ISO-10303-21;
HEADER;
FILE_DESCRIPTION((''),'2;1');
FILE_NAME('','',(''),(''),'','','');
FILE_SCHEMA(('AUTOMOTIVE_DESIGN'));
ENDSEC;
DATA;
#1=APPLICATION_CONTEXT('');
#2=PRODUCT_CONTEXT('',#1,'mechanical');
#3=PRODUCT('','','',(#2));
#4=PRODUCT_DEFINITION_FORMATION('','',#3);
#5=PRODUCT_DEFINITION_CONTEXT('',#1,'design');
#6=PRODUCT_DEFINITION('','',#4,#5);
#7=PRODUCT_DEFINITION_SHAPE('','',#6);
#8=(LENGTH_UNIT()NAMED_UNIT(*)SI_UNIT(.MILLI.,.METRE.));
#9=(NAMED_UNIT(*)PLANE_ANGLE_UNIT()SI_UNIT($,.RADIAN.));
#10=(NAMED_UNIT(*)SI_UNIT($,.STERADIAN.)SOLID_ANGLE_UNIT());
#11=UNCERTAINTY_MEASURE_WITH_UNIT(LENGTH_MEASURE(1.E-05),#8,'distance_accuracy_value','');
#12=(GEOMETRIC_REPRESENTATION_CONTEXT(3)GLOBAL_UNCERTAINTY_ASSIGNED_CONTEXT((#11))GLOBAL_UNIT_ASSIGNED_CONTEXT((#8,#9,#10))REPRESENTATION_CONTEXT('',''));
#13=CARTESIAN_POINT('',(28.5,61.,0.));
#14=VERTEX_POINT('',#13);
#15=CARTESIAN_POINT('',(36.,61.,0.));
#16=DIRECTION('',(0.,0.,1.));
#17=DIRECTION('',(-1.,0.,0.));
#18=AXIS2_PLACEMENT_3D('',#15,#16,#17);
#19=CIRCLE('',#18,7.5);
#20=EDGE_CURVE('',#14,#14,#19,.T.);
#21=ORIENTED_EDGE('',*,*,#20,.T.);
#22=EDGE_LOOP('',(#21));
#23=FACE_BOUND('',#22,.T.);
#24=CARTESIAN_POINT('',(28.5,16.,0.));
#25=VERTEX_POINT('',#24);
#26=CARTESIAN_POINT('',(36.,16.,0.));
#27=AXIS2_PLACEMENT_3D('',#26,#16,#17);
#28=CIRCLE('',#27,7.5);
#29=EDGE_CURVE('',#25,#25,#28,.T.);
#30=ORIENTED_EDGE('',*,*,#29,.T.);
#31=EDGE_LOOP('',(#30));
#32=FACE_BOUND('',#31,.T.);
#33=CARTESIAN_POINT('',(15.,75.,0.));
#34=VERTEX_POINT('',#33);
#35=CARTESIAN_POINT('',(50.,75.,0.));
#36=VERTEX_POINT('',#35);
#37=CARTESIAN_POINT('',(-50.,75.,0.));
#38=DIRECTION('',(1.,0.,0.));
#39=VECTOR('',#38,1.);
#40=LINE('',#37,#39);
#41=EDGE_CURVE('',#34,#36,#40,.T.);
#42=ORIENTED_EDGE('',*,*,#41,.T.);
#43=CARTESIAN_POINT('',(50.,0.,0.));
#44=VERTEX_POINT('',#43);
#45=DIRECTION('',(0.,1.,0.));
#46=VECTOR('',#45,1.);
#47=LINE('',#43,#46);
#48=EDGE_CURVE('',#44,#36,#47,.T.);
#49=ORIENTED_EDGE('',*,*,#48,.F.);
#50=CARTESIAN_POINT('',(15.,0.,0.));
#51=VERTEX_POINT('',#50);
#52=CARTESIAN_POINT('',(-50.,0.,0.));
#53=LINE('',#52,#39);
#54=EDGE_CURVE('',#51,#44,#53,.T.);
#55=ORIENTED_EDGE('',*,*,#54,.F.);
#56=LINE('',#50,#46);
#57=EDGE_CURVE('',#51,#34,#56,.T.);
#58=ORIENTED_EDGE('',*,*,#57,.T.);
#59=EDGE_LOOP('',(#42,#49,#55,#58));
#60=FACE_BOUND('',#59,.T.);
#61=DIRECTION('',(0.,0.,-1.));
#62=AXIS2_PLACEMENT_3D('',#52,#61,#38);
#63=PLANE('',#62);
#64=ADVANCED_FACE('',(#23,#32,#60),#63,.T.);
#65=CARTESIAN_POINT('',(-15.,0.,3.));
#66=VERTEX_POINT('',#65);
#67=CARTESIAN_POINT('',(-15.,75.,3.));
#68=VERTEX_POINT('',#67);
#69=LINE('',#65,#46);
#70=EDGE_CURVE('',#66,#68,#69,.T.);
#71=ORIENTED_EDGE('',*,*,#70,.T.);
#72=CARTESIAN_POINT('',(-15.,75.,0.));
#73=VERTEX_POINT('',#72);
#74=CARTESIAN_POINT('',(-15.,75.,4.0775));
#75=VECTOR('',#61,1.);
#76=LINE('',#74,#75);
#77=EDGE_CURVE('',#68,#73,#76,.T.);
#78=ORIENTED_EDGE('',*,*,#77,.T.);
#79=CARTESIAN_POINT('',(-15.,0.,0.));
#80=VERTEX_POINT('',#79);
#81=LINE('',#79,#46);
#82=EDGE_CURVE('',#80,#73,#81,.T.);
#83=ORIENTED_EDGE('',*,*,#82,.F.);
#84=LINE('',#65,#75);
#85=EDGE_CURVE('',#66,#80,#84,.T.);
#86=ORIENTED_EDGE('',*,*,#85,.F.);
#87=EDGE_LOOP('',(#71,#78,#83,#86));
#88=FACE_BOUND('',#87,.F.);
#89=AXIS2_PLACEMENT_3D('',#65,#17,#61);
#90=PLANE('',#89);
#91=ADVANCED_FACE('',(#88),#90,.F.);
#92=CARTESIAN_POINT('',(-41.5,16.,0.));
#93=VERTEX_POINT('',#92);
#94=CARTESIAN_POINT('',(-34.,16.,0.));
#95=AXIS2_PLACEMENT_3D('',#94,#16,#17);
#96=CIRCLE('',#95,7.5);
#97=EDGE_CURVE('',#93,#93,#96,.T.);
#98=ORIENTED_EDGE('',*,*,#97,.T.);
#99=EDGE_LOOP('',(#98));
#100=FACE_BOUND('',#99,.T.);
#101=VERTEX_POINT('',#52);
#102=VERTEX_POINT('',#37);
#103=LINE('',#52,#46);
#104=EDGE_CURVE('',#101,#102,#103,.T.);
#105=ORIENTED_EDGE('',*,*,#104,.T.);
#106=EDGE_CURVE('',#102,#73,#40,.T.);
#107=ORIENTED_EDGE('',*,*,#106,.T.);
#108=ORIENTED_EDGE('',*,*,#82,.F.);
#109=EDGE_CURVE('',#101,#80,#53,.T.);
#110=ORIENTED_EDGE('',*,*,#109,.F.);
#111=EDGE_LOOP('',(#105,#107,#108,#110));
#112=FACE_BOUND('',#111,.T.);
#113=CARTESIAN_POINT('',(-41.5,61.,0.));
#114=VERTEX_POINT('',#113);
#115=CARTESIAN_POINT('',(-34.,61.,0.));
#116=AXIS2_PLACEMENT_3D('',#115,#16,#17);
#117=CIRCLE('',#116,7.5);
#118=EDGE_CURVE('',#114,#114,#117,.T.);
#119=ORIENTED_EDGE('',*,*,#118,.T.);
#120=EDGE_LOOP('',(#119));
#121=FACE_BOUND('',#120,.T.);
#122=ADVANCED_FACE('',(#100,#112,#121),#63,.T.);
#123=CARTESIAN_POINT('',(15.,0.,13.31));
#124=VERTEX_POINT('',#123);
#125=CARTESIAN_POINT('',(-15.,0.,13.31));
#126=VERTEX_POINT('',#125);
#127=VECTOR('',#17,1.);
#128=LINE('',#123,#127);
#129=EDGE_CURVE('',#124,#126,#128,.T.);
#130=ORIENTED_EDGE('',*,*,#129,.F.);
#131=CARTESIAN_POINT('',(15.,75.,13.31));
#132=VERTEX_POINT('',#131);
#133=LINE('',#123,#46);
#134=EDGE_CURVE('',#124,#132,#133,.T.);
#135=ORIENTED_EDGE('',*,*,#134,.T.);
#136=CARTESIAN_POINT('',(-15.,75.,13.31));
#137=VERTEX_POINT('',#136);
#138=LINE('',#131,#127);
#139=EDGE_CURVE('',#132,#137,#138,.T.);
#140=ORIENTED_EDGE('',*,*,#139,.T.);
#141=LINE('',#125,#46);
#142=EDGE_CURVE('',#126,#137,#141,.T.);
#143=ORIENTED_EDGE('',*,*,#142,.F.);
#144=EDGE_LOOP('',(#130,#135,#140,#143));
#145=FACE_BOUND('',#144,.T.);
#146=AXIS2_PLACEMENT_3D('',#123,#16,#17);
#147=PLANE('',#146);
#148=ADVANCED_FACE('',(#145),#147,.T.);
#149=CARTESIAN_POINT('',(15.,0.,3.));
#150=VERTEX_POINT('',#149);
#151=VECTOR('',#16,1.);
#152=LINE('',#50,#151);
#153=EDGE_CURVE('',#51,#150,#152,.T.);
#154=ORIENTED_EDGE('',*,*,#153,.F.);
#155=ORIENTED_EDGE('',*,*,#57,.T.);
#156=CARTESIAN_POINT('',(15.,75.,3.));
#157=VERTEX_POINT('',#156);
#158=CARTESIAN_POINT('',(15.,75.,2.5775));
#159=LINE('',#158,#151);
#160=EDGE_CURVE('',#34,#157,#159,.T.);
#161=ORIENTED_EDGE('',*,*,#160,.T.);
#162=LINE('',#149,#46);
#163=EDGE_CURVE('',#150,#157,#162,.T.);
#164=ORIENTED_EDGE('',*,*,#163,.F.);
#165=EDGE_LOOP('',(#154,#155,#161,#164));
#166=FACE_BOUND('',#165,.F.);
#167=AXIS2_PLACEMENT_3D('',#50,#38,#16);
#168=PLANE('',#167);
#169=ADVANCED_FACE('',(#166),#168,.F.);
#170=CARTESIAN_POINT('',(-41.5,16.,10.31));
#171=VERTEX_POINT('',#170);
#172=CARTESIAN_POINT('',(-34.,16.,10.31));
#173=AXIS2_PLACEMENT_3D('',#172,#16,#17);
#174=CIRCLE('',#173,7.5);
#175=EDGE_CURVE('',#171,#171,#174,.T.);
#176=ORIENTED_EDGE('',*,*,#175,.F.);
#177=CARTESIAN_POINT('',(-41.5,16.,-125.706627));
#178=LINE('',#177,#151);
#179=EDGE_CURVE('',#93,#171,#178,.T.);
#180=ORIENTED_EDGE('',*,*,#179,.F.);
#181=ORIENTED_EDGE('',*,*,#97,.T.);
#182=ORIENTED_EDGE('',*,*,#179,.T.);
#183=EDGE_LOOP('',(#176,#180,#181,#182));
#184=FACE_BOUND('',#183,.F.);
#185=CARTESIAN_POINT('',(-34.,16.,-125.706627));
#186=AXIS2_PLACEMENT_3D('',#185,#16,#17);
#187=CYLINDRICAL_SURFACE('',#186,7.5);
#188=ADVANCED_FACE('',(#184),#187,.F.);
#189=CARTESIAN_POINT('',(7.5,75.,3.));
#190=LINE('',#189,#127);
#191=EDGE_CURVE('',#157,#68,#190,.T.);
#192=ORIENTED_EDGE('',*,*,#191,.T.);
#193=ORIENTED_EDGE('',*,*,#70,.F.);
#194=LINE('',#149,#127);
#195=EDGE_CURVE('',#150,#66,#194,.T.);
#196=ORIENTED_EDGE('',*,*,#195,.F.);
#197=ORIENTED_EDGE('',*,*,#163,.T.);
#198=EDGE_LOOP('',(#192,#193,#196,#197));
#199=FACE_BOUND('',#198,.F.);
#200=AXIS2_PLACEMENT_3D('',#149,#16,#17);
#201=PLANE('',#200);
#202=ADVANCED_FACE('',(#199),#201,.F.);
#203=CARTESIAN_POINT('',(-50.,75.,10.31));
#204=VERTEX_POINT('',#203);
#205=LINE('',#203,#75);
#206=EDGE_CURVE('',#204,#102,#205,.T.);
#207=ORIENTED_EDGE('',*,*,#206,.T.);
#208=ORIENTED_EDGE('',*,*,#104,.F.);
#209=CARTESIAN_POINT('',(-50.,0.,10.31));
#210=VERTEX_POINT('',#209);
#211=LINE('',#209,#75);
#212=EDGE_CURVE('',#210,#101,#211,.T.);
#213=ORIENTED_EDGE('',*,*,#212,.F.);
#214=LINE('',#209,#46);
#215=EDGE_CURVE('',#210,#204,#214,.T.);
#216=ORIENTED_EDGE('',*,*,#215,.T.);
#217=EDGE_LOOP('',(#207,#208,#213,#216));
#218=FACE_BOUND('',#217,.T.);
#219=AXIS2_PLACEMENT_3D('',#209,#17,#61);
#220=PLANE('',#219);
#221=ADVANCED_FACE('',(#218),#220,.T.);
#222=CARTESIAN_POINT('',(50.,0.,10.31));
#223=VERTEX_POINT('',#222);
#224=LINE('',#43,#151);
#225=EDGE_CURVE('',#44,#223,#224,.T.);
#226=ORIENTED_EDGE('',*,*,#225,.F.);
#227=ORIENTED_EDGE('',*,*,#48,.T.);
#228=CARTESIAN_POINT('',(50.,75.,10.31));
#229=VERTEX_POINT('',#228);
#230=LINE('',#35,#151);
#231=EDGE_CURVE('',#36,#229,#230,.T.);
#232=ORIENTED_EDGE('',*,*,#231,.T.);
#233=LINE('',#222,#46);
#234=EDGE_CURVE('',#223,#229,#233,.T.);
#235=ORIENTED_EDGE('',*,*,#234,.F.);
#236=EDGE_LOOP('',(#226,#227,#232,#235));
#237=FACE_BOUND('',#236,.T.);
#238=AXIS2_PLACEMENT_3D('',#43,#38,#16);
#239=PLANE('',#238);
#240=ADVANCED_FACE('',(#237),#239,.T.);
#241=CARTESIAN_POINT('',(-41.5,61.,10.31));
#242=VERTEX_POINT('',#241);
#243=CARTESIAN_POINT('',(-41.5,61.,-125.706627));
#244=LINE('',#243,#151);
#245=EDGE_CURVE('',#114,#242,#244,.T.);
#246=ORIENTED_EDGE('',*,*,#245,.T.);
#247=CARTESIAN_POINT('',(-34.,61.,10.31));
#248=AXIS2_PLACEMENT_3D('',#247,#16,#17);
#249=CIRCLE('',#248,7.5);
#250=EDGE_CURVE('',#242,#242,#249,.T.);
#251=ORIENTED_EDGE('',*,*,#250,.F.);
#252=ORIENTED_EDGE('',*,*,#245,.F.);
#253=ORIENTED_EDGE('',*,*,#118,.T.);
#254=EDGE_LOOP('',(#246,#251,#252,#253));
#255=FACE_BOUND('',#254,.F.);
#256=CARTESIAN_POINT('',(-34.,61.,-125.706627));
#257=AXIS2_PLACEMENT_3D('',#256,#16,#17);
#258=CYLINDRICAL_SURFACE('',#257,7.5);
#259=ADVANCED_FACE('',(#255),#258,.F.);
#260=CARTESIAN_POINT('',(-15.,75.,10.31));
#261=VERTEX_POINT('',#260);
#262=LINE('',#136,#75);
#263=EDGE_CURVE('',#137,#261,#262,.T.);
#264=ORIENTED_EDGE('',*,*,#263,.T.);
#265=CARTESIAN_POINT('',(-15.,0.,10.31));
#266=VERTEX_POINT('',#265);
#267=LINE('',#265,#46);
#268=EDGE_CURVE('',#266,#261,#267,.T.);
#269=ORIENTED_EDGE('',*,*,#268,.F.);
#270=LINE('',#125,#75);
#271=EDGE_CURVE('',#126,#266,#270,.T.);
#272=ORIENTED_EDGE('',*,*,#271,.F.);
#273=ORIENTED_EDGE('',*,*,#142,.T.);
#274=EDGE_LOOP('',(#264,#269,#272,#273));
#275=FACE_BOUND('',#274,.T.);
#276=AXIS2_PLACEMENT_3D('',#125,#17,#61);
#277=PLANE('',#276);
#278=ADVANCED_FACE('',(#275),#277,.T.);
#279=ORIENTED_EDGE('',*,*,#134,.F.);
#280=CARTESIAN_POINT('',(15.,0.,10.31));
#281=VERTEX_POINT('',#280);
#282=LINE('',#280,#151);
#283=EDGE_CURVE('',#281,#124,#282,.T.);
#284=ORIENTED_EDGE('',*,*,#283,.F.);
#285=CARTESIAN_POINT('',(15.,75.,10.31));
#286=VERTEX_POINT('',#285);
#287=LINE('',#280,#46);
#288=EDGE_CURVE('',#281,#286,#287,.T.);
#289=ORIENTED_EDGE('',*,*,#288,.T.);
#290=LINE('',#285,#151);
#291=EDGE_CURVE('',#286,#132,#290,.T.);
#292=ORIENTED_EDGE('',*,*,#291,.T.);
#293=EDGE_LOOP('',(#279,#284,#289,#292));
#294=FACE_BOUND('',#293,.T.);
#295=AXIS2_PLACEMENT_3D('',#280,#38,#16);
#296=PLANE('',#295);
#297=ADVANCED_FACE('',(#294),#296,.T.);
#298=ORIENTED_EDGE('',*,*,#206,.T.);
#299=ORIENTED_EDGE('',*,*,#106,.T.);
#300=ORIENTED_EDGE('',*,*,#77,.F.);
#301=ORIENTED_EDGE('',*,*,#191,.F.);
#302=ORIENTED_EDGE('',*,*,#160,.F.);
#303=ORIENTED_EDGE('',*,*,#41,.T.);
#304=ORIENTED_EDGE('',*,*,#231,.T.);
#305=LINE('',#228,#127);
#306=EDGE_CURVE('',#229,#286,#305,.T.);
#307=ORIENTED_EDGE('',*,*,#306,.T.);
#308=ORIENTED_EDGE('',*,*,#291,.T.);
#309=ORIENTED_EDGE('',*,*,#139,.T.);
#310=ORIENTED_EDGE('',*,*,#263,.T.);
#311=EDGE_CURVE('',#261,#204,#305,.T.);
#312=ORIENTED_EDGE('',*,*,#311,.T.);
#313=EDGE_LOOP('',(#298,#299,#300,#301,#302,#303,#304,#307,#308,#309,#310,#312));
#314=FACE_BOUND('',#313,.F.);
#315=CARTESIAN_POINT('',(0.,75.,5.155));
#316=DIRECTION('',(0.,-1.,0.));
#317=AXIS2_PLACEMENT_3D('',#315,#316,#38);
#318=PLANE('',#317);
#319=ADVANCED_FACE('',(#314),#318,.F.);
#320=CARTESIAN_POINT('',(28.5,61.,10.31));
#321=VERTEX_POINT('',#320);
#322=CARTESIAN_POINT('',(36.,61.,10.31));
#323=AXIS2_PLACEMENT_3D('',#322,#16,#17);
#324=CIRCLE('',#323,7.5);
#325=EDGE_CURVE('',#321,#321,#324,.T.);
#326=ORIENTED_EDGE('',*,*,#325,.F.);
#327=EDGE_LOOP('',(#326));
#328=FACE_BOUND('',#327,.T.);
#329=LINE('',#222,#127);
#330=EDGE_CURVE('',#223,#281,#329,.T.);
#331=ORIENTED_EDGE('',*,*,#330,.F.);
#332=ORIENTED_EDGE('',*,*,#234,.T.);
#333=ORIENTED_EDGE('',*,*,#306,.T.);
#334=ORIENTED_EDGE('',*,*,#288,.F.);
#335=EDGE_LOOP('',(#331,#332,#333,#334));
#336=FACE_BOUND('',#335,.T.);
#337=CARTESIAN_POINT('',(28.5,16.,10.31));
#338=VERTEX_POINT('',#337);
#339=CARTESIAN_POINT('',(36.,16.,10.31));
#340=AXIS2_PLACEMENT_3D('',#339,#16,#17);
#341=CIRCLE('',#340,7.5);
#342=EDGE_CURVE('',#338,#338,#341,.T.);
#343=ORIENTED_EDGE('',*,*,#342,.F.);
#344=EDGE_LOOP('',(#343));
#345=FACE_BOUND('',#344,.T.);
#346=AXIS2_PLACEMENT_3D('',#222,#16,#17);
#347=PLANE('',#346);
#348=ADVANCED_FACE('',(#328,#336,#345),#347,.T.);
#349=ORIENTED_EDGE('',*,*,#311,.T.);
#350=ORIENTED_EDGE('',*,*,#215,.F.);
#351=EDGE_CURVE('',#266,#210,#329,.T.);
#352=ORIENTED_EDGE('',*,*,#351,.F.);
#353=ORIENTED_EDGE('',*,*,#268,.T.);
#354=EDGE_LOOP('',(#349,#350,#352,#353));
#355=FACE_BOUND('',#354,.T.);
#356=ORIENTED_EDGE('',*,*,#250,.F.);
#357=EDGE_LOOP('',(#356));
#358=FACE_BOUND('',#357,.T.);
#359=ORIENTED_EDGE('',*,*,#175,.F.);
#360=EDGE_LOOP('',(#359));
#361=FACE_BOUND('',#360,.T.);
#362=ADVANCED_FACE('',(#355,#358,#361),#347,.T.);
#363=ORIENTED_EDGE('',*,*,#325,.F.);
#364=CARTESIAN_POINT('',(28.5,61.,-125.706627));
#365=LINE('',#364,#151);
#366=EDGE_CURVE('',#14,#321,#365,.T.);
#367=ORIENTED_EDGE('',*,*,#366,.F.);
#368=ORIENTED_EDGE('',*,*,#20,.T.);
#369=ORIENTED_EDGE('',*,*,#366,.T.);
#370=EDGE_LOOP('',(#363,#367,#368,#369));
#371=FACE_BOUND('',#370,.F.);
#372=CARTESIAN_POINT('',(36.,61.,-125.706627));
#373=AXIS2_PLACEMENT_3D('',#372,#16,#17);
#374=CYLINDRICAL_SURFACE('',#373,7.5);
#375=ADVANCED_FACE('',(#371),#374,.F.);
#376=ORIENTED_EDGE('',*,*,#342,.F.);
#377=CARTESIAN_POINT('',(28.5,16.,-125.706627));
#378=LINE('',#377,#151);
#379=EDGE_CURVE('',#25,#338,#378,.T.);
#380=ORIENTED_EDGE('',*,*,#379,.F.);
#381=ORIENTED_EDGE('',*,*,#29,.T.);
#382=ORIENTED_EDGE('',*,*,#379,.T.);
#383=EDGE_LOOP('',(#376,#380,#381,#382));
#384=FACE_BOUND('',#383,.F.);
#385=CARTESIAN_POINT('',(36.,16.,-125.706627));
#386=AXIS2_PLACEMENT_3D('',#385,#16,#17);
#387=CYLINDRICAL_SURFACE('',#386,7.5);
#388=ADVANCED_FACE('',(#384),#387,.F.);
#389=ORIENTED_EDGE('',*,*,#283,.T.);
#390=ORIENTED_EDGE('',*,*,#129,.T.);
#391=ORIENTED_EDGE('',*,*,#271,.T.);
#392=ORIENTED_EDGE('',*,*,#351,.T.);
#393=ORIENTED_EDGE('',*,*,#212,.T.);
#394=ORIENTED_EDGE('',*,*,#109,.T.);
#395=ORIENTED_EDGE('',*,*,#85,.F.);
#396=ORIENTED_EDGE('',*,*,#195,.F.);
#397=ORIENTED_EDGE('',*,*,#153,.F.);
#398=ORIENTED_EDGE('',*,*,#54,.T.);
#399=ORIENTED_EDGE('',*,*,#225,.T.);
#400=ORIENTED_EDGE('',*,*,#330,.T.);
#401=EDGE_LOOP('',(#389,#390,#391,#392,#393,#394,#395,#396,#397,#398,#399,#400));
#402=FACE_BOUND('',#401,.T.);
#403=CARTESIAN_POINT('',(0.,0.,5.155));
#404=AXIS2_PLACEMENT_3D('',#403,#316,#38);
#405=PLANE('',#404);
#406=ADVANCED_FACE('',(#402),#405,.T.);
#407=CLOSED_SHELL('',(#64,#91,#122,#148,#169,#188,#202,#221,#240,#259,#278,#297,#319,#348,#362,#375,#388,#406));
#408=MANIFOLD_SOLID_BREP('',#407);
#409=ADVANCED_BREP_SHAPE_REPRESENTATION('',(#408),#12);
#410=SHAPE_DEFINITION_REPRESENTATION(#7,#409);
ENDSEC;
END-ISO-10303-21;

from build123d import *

# Parameters (mm, degrees)
F1_DEPTH = 75
F4_DEPTH = 75.001
F7_DEPTH = 75
F9_D     = 15


with BuildPart() as f1:
    # F0 (on Front) → F1 (new body)
    with BuildSketch(Plane.XZ):
        Polygon((-50, 0), (0, 0), (50, 0), (50, 10.31), (-50, 10.31), align=None)
    extrude(amount=-F1_DEPTH)

    # F3 (on offset) → F4 (cut, through all)
    with BuildSketch(Plane.XZ):
        Polygon((-15, 0), (0, 0), (15, 0), (15, 3), (-15, 3), align=None)
    extrude(amount=-F4_DEPTH, mode=Mode.SUBTRACT)

    # F6 (on offset) → F7 (join)
    with BuildSketch(Plane.XZ):
        Polygon((-15, 10.31), (0, 10.31), (15, 10.31), (15, 13.31), (-15, 13.31), align=None)
    extrude(amount=-F7_DEPTH)

    # F9 (through all)
    with Locations(Plane(origin=(0, 0, 0), x_dir=(1, 0, 0), z_dir=(0, 0, -1))):
        with Locations((-34, -61), (-34, -16), (36, -61), (36, -16)):
            Hole(F9_D / 2)


solid = f1.part
